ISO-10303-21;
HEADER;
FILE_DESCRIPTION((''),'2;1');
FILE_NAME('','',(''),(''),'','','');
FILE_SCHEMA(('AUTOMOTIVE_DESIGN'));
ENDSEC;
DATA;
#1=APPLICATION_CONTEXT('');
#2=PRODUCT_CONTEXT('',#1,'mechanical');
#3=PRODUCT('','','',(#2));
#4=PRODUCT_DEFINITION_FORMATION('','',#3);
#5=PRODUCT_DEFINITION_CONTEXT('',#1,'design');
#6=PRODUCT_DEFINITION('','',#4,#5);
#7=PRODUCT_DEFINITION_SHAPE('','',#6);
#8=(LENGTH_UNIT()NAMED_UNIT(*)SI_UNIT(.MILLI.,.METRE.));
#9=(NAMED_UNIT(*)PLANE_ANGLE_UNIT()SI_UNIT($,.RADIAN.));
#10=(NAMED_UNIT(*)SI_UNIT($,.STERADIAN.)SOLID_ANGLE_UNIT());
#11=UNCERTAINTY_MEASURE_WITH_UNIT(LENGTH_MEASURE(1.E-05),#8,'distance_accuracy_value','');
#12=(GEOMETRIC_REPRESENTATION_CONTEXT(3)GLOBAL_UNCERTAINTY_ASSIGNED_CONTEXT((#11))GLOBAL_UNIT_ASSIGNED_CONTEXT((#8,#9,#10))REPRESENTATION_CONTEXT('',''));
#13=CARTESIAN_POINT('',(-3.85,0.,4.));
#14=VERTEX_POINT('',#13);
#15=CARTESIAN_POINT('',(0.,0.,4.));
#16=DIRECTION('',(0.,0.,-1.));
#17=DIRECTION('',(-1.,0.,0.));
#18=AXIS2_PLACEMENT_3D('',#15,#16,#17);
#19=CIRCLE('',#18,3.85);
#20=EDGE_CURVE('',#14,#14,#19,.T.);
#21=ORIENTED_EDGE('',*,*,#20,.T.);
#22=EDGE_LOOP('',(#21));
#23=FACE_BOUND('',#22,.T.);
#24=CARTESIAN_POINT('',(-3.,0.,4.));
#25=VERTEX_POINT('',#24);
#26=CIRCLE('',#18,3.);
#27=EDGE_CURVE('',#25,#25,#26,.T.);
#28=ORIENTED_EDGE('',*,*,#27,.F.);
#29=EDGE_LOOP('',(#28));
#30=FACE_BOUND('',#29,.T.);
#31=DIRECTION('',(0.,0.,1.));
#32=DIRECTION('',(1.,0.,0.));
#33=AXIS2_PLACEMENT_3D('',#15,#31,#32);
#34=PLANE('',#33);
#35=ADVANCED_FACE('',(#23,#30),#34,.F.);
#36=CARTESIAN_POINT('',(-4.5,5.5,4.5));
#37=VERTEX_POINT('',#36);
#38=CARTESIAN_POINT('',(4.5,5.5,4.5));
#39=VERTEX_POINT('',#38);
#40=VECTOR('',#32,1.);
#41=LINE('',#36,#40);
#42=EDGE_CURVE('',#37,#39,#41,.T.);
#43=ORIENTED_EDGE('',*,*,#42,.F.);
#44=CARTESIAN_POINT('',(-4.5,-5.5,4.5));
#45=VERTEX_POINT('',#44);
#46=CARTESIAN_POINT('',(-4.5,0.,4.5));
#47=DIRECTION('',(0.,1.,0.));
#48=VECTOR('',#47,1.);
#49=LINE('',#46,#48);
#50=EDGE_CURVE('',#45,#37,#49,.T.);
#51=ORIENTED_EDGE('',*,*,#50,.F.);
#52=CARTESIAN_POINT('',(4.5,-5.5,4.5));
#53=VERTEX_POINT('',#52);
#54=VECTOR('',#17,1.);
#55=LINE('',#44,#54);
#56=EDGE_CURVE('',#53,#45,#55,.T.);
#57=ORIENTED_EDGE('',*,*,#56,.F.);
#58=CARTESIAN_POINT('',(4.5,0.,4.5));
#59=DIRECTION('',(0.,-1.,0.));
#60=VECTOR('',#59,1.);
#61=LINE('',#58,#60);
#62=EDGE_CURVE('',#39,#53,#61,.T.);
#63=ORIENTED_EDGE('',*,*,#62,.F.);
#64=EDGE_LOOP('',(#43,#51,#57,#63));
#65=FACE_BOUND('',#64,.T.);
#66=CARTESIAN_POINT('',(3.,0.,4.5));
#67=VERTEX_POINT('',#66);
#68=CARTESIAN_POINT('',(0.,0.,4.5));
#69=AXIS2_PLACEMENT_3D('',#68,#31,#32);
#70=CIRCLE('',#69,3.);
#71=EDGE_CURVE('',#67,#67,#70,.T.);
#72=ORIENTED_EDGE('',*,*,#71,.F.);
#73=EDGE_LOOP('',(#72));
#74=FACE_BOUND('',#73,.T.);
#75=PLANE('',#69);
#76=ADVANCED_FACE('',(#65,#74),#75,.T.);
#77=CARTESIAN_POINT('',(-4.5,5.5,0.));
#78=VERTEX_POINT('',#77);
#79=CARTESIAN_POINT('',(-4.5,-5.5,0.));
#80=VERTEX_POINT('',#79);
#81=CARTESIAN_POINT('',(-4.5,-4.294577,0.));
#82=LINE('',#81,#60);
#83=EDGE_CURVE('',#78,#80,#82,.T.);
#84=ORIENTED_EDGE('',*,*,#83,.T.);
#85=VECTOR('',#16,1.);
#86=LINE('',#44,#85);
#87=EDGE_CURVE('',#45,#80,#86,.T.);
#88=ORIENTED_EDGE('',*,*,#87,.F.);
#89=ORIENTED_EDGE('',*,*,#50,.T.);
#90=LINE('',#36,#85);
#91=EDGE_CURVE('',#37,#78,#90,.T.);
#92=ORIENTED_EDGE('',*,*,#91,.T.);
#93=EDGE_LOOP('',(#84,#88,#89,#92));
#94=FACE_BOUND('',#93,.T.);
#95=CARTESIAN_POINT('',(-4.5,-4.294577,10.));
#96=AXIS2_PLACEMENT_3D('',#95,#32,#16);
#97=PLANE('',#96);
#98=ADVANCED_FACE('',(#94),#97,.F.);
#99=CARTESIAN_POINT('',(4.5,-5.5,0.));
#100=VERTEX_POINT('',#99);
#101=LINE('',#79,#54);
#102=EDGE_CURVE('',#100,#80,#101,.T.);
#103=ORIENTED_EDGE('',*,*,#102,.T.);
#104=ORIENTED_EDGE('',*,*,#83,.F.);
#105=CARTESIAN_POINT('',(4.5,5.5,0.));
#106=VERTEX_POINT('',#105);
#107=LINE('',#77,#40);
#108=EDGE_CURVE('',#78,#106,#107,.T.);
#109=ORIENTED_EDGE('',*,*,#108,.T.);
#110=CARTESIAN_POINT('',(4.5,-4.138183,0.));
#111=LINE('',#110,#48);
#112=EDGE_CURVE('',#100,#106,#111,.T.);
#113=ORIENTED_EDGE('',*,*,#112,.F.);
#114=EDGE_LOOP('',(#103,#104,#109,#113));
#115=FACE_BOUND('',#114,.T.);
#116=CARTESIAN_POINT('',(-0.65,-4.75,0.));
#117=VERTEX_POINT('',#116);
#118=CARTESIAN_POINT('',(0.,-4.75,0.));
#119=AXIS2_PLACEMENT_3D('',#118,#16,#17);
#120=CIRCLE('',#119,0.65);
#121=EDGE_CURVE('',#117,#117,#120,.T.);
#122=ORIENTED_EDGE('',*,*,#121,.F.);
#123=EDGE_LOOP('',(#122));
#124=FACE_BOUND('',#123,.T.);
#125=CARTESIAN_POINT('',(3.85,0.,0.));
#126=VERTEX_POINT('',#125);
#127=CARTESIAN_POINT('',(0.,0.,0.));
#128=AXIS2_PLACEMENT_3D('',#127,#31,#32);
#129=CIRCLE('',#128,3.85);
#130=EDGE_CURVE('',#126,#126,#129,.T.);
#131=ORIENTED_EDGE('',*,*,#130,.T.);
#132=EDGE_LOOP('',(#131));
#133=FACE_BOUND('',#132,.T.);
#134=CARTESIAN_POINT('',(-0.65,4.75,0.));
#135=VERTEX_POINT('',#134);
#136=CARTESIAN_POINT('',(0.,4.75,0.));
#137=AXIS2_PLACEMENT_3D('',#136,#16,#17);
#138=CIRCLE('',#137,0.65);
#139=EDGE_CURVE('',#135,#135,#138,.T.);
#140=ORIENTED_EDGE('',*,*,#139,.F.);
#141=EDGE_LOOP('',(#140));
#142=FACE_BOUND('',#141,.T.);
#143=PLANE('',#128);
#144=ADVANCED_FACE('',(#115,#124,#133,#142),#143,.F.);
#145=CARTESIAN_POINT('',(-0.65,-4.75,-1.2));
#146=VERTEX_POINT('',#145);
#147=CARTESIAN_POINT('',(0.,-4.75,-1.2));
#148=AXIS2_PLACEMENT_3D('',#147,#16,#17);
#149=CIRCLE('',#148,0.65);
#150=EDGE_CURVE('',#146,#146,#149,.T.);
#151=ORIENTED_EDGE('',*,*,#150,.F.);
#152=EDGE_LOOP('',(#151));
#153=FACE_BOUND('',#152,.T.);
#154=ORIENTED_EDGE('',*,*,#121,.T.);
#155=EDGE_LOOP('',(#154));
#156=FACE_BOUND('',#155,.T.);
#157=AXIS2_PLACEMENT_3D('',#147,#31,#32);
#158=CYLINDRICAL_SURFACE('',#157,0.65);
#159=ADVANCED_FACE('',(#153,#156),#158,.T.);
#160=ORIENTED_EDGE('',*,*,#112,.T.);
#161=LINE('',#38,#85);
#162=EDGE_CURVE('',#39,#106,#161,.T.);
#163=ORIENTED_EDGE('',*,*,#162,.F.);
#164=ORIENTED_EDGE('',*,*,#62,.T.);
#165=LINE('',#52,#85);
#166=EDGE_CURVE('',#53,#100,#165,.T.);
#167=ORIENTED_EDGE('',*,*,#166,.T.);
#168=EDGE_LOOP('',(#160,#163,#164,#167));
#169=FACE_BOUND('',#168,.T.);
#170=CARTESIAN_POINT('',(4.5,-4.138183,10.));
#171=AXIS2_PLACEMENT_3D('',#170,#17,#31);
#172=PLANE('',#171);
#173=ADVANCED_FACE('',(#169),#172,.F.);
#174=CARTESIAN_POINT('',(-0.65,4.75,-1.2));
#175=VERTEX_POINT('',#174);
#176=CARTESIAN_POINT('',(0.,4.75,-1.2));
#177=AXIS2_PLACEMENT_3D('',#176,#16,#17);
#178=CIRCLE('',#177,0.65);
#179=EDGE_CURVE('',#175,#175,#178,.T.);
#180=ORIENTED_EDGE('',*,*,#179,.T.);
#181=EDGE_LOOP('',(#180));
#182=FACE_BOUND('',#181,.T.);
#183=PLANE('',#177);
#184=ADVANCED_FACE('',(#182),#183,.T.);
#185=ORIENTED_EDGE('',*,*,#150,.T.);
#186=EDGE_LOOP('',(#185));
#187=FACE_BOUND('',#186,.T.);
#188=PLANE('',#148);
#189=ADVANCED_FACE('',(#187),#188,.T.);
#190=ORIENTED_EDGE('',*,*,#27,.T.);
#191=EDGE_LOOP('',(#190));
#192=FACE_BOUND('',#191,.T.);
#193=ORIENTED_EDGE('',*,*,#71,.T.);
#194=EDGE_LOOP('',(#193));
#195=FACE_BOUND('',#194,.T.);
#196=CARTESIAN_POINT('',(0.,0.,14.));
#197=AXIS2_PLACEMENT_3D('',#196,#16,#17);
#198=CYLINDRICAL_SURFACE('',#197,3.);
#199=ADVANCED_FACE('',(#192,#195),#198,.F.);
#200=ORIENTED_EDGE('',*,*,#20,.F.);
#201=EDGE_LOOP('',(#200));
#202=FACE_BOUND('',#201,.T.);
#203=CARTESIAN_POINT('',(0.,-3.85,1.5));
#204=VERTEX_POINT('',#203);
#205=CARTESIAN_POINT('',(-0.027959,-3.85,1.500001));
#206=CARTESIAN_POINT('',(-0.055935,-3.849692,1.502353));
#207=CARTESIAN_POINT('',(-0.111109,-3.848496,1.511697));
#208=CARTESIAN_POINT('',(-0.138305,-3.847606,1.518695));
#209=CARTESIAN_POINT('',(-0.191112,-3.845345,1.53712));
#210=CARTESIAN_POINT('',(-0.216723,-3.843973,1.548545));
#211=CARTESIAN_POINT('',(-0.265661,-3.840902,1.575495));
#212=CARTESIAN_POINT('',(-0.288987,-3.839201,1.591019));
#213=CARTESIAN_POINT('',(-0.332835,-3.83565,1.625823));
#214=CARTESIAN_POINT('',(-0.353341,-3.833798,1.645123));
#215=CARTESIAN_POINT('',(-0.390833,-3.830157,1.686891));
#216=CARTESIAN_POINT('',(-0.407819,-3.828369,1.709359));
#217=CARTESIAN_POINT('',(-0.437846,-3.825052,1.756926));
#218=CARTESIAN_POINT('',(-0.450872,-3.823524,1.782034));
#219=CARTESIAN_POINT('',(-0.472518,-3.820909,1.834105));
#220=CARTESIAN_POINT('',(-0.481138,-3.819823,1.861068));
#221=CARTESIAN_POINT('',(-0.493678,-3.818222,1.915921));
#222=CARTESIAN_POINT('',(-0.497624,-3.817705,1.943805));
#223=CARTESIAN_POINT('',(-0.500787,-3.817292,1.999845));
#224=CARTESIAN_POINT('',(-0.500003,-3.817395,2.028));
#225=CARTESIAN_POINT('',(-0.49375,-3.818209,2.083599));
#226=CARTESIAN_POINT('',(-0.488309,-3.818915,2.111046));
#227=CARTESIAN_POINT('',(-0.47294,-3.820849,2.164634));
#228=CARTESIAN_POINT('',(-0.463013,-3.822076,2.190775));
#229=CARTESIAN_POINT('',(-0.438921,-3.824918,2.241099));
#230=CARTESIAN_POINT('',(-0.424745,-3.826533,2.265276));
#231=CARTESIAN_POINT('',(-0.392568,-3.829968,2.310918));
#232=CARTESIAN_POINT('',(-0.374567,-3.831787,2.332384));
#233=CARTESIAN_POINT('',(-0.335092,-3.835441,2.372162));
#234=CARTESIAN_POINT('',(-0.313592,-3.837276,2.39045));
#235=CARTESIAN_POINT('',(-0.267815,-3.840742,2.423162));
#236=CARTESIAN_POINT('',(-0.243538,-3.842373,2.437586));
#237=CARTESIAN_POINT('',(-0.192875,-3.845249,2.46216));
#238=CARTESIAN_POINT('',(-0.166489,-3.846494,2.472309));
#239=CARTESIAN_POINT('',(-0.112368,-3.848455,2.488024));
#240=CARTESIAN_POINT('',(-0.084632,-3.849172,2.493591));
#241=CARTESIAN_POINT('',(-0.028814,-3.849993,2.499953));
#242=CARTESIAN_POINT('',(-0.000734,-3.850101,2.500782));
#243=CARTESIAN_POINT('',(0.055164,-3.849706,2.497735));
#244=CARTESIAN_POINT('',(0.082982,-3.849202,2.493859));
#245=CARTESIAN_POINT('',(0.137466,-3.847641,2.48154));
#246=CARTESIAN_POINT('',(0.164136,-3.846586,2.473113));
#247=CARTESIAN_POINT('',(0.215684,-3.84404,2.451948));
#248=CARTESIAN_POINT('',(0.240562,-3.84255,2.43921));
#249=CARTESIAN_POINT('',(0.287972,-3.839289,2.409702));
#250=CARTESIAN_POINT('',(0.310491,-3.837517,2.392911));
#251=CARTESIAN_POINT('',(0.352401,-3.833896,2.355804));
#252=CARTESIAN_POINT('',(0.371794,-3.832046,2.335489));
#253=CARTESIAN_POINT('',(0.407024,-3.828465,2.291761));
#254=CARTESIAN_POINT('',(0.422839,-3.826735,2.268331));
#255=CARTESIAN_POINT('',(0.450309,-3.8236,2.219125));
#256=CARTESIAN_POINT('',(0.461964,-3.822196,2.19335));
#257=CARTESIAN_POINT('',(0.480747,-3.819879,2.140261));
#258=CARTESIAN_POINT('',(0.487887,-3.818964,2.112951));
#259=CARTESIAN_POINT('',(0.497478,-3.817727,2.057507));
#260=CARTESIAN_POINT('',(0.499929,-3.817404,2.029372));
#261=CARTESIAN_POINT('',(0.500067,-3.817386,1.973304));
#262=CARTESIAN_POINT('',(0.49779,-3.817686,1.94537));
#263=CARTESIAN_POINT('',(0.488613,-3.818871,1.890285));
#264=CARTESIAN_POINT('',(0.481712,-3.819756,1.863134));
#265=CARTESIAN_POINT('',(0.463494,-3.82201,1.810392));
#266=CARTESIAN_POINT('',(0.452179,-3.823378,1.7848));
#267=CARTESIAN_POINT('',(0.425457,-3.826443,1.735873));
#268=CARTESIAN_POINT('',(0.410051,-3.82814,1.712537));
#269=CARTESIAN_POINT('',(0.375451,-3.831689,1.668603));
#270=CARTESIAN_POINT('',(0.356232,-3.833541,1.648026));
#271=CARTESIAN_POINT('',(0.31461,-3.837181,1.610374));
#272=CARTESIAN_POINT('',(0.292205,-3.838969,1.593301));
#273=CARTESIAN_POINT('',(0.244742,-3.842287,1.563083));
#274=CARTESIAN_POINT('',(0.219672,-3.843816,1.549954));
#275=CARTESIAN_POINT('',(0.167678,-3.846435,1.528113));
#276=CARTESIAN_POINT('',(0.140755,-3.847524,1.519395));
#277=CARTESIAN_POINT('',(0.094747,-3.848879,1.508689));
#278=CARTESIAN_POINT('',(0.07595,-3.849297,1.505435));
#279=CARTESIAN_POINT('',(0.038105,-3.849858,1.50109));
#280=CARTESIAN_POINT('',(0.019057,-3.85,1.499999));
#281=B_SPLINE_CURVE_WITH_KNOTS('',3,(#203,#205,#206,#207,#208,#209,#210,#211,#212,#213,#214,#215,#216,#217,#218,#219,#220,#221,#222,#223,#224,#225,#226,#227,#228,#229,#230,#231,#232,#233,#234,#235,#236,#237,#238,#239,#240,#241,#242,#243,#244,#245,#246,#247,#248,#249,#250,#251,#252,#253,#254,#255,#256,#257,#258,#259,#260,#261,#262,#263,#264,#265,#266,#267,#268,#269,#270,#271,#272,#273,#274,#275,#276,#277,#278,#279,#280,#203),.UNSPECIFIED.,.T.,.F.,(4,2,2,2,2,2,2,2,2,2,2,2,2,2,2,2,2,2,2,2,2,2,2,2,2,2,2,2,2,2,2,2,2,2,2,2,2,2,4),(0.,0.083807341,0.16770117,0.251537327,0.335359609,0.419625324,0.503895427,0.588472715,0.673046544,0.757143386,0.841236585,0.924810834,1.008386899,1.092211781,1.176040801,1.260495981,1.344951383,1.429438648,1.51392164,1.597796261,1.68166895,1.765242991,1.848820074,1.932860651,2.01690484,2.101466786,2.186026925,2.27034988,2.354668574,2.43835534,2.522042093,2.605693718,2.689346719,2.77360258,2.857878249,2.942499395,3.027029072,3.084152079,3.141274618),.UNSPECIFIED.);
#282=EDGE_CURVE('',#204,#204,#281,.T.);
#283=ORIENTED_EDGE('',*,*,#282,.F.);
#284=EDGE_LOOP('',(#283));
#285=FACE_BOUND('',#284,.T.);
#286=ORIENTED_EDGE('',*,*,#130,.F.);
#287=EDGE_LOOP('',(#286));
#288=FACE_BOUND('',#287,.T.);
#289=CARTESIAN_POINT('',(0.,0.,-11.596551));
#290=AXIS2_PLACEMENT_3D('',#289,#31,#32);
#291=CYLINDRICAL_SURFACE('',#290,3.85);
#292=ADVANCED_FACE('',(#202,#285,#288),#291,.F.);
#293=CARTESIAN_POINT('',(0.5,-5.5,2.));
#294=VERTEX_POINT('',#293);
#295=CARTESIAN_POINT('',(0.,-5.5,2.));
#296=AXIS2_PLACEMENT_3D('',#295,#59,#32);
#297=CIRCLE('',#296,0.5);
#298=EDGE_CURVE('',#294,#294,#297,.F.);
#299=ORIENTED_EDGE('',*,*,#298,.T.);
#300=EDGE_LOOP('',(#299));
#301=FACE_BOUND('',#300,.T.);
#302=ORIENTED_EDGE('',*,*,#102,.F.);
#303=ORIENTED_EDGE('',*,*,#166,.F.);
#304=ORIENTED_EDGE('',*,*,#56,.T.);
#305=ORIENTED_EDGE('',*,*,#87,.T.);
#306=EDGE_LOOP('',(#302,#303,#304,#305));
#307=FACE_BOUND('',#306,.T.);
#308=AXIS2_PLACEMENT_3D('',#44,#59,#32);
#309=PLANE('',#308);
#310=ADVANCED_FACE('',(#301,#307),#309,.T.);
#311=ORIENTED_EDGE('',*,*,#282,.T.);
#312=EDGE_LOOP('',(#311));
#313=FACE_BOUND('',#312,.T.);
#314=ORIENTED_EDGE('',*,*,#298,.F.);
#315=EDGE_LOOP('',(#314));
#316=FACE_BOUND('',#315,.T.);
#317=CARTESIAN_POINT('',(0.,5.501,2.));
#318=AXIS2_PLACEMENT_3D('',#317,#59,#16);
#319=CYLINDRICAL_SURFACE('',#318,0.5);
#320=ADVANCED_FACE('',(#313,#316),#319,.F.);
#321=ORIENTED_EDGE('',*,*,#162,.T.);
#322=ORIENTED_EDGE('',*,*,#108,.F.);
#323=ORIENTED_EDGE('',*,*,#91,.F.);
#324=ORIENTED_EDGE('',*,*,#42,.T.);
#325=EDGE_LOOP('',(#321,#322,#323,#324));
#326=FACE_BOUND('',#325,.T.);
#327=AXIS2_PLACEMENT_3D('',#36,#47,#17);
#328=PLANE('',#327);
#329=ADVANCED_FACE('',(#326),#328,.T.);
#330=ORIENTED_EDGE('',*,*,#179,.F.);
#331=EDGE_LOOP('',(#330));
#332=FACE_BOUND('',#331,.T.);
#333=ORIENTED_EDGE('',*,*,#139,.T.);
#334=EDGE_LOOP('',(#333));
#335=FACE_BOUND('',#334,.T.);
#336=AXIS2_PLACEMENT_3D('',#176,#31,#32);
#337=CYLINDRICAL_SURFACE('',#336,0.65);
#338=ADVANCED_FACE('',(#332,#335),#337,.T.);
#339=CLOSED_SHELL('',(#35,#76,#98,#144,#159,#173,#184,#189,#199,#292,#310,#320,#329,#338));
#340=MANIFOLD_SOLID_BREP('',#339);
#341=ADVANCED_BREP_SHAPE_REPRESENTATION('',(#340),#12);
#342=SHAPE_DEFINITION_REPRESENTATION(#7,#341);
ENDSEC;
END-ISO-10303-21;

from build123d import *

# Parameters (mm, degrees)
ESBO_O6_R                  = 5.25
ESBO_O6_R_2                = 4.1
RESSALTO_EXTRUS_O3_DEPTH   = 4
ESBO_O7_R                  = 5.25
RESSALTO_EXTRUS_O4_DEPTH   = 0.5
ESBO_O9_R                  = 0.65
RESSALTO_EXTRUS_O5_DEPTH   = 1.2
ESBO_O12_R                 = 3
CORTE_EXTRUS_O5_DEPTH      = 10
RESSALTO_EXTRUS_O6_START   = 4
ESBO_O13_R                 = 4.1
ESBO_O13_R_2               = 3.85
RESSALTO_EXTRUS_O6_DEPTH   = 4
ESBO_O16_W                 = 2.665336127
ESBO_O16_H                 = 7.90902753
ESBO_O16_W_2               = 2.097265449
ESBO_O16_H_2               = 7.395164159
CORTE_EXTRUS_O7_DEPTH      = 10
ESBO_O15_W                 = 9
ESBO_O15_H                 = 11
ESBO_O15_R                 = 3.85
RESSALTO_EXTRUS_O7_DEPTH   = 4.5
CORTE_EXTRUS_O6_REACH      = 18.756
CORTE_EXTRUS_O6_END_RADIUS = 3.85
ESBO_O14_R                 = 0.5


with BuildPart() as part:
    # Esboço6 → Ressalto-extrusão3 (new body)
    with BuildSketch(Plane.XY):
        Circle(ESBO_O6_R)
        Circle(ESBO_O6_R_2, mode=Mode.SUBTRACT)
    extrude(amount=RESSALTO_EXTRUS_O3_DEPTH)

    # Esboço7 → Ressalto-extrusão4 (add)
    with BuildSketch(Plane.XY.offset(4)):
        Circle(ESBO_O7_R)
    extrude(amount=RESSALTO_EXTRUS_O4_DEPTH)

    # Esboço9 → Ressalto-extrusão5 (add)
    with BuildSketch(Plane(origin=(0, 0, 0), x_dir=(-1, 0, 0), z_dir=(0, 0, -1))):
        with Locations(Location((0, 4.75, 0), (0, 0, 132.158106499))):
            Circle(ESBO_O9_R)
        with Locations(Location((0, -4.75, 0), (0, 0, 227.841893501))):
            Circle(ESBO_O9_R)
    extrude(amount=RESSALTO_EXTRUS_O5_DEPTH)

    # Esboço12 → Corte-extrusão5 (cut)
    with BuildSketch(Plane(origin=(0, 0, 4), x_dir=(-1, 0, 0), z_dir=(0, 0, -1))):
        Circle(ESBO_O12_R)
    extrude(amount=-CORTE_EXTRUS_O5_DEPTH, mode=Mode.SUBTRACT)

    # Esboço13 → Ressalto-extrusão6 (add)
    with BuildSketch(Plane(origin=(0, 0, 4), x_dir=(-1, 0, 0), z_dir=(0, 0, -1)).offset(RESSALTO_EXTRUS_O6_START)):
        Circle(ESBO_O13_R)
        with Locations(Location((0, 0, 0), (0, 0, 180))):
            Circle(ESBO_O13_R_2, mode=Mode.SUBTRACT)
    extrude(amount=-RESSALTO_EXTRUS_O6_DEPTH)

    # Esboço16 → Corte-extrusão7 (cut)
    with BuildSketch(Plane(origin=(0, 0, 0), x_dir=(-1, 0, 0), z_dir=(0, 0, -1))):
        with Locations((5.832668063, -0.340062901)):
            Rectangle(ESBO_O16_W, ESBO_O16_H)
        with Locations((-5.548632725, -0.440601387)):
            Rectangle(ESBO_O16_W_2, ESBO_O16_H_2)
    extrude(amount=-CORTE_EXTRUS_O7_DEPTH, mode=Mode.SUBTRACT)

    # Esboço15 → Ressalto-extrusão7 (add)
    with BuildSketch(Plane(origin=(0, 0, 0), x_dir=(-1, 0, 0), z_dir=(0, 0, -1))):
        Rectangle(ESBO_O15_W, ESBO_O15_H)
        with Locations(Location((0, 0, 0), (0, 0, 180))):
            Circle(ESBO_O15_R, mode=Mode.SUBTRACT)
    extrude(amount=-RESSALTO_EXTRUS_O7_DEPTH)

    # Corte-extrusão6: up to this cylinder (the profile starts outside it)
    corte_extrus_o6_end = Plane(origin=(0, 0, 2), z_dir=(0, 0, 1)) * Cylinder(CORTE_EXTRUS_O6_END_RADIUS, 46.212, mode=Mode.PRIVATE)
    # Esboço14 → Corte-extrusão6 (cut, up to the surface)
    with BuildSketch(Plane(origin=(0, -10, 0), x_dir=(1, 0, 0), z_dir=(0, 1, 0)), mode=Mode.PRIVATE) as corte_extrus_o6_sk1:
        with Locations(Location((0, -2, 0), (0, 0, 90))):
            Circle(ESBO_O14_R)
    corte_extrus_o6_tool1 = extrude(corte_extrus_o6_sk1.sketch, amount=CORTE_EXTRUS_O6_REACH, mode=Mode.PRIVATE) - corte_extrus_o6_end
    add(corte_extrus_o6_tool1.solids().sort_by_distance((0, -10, 2))[0], mode=Mode.SUBTRACT)


solid = part.part
